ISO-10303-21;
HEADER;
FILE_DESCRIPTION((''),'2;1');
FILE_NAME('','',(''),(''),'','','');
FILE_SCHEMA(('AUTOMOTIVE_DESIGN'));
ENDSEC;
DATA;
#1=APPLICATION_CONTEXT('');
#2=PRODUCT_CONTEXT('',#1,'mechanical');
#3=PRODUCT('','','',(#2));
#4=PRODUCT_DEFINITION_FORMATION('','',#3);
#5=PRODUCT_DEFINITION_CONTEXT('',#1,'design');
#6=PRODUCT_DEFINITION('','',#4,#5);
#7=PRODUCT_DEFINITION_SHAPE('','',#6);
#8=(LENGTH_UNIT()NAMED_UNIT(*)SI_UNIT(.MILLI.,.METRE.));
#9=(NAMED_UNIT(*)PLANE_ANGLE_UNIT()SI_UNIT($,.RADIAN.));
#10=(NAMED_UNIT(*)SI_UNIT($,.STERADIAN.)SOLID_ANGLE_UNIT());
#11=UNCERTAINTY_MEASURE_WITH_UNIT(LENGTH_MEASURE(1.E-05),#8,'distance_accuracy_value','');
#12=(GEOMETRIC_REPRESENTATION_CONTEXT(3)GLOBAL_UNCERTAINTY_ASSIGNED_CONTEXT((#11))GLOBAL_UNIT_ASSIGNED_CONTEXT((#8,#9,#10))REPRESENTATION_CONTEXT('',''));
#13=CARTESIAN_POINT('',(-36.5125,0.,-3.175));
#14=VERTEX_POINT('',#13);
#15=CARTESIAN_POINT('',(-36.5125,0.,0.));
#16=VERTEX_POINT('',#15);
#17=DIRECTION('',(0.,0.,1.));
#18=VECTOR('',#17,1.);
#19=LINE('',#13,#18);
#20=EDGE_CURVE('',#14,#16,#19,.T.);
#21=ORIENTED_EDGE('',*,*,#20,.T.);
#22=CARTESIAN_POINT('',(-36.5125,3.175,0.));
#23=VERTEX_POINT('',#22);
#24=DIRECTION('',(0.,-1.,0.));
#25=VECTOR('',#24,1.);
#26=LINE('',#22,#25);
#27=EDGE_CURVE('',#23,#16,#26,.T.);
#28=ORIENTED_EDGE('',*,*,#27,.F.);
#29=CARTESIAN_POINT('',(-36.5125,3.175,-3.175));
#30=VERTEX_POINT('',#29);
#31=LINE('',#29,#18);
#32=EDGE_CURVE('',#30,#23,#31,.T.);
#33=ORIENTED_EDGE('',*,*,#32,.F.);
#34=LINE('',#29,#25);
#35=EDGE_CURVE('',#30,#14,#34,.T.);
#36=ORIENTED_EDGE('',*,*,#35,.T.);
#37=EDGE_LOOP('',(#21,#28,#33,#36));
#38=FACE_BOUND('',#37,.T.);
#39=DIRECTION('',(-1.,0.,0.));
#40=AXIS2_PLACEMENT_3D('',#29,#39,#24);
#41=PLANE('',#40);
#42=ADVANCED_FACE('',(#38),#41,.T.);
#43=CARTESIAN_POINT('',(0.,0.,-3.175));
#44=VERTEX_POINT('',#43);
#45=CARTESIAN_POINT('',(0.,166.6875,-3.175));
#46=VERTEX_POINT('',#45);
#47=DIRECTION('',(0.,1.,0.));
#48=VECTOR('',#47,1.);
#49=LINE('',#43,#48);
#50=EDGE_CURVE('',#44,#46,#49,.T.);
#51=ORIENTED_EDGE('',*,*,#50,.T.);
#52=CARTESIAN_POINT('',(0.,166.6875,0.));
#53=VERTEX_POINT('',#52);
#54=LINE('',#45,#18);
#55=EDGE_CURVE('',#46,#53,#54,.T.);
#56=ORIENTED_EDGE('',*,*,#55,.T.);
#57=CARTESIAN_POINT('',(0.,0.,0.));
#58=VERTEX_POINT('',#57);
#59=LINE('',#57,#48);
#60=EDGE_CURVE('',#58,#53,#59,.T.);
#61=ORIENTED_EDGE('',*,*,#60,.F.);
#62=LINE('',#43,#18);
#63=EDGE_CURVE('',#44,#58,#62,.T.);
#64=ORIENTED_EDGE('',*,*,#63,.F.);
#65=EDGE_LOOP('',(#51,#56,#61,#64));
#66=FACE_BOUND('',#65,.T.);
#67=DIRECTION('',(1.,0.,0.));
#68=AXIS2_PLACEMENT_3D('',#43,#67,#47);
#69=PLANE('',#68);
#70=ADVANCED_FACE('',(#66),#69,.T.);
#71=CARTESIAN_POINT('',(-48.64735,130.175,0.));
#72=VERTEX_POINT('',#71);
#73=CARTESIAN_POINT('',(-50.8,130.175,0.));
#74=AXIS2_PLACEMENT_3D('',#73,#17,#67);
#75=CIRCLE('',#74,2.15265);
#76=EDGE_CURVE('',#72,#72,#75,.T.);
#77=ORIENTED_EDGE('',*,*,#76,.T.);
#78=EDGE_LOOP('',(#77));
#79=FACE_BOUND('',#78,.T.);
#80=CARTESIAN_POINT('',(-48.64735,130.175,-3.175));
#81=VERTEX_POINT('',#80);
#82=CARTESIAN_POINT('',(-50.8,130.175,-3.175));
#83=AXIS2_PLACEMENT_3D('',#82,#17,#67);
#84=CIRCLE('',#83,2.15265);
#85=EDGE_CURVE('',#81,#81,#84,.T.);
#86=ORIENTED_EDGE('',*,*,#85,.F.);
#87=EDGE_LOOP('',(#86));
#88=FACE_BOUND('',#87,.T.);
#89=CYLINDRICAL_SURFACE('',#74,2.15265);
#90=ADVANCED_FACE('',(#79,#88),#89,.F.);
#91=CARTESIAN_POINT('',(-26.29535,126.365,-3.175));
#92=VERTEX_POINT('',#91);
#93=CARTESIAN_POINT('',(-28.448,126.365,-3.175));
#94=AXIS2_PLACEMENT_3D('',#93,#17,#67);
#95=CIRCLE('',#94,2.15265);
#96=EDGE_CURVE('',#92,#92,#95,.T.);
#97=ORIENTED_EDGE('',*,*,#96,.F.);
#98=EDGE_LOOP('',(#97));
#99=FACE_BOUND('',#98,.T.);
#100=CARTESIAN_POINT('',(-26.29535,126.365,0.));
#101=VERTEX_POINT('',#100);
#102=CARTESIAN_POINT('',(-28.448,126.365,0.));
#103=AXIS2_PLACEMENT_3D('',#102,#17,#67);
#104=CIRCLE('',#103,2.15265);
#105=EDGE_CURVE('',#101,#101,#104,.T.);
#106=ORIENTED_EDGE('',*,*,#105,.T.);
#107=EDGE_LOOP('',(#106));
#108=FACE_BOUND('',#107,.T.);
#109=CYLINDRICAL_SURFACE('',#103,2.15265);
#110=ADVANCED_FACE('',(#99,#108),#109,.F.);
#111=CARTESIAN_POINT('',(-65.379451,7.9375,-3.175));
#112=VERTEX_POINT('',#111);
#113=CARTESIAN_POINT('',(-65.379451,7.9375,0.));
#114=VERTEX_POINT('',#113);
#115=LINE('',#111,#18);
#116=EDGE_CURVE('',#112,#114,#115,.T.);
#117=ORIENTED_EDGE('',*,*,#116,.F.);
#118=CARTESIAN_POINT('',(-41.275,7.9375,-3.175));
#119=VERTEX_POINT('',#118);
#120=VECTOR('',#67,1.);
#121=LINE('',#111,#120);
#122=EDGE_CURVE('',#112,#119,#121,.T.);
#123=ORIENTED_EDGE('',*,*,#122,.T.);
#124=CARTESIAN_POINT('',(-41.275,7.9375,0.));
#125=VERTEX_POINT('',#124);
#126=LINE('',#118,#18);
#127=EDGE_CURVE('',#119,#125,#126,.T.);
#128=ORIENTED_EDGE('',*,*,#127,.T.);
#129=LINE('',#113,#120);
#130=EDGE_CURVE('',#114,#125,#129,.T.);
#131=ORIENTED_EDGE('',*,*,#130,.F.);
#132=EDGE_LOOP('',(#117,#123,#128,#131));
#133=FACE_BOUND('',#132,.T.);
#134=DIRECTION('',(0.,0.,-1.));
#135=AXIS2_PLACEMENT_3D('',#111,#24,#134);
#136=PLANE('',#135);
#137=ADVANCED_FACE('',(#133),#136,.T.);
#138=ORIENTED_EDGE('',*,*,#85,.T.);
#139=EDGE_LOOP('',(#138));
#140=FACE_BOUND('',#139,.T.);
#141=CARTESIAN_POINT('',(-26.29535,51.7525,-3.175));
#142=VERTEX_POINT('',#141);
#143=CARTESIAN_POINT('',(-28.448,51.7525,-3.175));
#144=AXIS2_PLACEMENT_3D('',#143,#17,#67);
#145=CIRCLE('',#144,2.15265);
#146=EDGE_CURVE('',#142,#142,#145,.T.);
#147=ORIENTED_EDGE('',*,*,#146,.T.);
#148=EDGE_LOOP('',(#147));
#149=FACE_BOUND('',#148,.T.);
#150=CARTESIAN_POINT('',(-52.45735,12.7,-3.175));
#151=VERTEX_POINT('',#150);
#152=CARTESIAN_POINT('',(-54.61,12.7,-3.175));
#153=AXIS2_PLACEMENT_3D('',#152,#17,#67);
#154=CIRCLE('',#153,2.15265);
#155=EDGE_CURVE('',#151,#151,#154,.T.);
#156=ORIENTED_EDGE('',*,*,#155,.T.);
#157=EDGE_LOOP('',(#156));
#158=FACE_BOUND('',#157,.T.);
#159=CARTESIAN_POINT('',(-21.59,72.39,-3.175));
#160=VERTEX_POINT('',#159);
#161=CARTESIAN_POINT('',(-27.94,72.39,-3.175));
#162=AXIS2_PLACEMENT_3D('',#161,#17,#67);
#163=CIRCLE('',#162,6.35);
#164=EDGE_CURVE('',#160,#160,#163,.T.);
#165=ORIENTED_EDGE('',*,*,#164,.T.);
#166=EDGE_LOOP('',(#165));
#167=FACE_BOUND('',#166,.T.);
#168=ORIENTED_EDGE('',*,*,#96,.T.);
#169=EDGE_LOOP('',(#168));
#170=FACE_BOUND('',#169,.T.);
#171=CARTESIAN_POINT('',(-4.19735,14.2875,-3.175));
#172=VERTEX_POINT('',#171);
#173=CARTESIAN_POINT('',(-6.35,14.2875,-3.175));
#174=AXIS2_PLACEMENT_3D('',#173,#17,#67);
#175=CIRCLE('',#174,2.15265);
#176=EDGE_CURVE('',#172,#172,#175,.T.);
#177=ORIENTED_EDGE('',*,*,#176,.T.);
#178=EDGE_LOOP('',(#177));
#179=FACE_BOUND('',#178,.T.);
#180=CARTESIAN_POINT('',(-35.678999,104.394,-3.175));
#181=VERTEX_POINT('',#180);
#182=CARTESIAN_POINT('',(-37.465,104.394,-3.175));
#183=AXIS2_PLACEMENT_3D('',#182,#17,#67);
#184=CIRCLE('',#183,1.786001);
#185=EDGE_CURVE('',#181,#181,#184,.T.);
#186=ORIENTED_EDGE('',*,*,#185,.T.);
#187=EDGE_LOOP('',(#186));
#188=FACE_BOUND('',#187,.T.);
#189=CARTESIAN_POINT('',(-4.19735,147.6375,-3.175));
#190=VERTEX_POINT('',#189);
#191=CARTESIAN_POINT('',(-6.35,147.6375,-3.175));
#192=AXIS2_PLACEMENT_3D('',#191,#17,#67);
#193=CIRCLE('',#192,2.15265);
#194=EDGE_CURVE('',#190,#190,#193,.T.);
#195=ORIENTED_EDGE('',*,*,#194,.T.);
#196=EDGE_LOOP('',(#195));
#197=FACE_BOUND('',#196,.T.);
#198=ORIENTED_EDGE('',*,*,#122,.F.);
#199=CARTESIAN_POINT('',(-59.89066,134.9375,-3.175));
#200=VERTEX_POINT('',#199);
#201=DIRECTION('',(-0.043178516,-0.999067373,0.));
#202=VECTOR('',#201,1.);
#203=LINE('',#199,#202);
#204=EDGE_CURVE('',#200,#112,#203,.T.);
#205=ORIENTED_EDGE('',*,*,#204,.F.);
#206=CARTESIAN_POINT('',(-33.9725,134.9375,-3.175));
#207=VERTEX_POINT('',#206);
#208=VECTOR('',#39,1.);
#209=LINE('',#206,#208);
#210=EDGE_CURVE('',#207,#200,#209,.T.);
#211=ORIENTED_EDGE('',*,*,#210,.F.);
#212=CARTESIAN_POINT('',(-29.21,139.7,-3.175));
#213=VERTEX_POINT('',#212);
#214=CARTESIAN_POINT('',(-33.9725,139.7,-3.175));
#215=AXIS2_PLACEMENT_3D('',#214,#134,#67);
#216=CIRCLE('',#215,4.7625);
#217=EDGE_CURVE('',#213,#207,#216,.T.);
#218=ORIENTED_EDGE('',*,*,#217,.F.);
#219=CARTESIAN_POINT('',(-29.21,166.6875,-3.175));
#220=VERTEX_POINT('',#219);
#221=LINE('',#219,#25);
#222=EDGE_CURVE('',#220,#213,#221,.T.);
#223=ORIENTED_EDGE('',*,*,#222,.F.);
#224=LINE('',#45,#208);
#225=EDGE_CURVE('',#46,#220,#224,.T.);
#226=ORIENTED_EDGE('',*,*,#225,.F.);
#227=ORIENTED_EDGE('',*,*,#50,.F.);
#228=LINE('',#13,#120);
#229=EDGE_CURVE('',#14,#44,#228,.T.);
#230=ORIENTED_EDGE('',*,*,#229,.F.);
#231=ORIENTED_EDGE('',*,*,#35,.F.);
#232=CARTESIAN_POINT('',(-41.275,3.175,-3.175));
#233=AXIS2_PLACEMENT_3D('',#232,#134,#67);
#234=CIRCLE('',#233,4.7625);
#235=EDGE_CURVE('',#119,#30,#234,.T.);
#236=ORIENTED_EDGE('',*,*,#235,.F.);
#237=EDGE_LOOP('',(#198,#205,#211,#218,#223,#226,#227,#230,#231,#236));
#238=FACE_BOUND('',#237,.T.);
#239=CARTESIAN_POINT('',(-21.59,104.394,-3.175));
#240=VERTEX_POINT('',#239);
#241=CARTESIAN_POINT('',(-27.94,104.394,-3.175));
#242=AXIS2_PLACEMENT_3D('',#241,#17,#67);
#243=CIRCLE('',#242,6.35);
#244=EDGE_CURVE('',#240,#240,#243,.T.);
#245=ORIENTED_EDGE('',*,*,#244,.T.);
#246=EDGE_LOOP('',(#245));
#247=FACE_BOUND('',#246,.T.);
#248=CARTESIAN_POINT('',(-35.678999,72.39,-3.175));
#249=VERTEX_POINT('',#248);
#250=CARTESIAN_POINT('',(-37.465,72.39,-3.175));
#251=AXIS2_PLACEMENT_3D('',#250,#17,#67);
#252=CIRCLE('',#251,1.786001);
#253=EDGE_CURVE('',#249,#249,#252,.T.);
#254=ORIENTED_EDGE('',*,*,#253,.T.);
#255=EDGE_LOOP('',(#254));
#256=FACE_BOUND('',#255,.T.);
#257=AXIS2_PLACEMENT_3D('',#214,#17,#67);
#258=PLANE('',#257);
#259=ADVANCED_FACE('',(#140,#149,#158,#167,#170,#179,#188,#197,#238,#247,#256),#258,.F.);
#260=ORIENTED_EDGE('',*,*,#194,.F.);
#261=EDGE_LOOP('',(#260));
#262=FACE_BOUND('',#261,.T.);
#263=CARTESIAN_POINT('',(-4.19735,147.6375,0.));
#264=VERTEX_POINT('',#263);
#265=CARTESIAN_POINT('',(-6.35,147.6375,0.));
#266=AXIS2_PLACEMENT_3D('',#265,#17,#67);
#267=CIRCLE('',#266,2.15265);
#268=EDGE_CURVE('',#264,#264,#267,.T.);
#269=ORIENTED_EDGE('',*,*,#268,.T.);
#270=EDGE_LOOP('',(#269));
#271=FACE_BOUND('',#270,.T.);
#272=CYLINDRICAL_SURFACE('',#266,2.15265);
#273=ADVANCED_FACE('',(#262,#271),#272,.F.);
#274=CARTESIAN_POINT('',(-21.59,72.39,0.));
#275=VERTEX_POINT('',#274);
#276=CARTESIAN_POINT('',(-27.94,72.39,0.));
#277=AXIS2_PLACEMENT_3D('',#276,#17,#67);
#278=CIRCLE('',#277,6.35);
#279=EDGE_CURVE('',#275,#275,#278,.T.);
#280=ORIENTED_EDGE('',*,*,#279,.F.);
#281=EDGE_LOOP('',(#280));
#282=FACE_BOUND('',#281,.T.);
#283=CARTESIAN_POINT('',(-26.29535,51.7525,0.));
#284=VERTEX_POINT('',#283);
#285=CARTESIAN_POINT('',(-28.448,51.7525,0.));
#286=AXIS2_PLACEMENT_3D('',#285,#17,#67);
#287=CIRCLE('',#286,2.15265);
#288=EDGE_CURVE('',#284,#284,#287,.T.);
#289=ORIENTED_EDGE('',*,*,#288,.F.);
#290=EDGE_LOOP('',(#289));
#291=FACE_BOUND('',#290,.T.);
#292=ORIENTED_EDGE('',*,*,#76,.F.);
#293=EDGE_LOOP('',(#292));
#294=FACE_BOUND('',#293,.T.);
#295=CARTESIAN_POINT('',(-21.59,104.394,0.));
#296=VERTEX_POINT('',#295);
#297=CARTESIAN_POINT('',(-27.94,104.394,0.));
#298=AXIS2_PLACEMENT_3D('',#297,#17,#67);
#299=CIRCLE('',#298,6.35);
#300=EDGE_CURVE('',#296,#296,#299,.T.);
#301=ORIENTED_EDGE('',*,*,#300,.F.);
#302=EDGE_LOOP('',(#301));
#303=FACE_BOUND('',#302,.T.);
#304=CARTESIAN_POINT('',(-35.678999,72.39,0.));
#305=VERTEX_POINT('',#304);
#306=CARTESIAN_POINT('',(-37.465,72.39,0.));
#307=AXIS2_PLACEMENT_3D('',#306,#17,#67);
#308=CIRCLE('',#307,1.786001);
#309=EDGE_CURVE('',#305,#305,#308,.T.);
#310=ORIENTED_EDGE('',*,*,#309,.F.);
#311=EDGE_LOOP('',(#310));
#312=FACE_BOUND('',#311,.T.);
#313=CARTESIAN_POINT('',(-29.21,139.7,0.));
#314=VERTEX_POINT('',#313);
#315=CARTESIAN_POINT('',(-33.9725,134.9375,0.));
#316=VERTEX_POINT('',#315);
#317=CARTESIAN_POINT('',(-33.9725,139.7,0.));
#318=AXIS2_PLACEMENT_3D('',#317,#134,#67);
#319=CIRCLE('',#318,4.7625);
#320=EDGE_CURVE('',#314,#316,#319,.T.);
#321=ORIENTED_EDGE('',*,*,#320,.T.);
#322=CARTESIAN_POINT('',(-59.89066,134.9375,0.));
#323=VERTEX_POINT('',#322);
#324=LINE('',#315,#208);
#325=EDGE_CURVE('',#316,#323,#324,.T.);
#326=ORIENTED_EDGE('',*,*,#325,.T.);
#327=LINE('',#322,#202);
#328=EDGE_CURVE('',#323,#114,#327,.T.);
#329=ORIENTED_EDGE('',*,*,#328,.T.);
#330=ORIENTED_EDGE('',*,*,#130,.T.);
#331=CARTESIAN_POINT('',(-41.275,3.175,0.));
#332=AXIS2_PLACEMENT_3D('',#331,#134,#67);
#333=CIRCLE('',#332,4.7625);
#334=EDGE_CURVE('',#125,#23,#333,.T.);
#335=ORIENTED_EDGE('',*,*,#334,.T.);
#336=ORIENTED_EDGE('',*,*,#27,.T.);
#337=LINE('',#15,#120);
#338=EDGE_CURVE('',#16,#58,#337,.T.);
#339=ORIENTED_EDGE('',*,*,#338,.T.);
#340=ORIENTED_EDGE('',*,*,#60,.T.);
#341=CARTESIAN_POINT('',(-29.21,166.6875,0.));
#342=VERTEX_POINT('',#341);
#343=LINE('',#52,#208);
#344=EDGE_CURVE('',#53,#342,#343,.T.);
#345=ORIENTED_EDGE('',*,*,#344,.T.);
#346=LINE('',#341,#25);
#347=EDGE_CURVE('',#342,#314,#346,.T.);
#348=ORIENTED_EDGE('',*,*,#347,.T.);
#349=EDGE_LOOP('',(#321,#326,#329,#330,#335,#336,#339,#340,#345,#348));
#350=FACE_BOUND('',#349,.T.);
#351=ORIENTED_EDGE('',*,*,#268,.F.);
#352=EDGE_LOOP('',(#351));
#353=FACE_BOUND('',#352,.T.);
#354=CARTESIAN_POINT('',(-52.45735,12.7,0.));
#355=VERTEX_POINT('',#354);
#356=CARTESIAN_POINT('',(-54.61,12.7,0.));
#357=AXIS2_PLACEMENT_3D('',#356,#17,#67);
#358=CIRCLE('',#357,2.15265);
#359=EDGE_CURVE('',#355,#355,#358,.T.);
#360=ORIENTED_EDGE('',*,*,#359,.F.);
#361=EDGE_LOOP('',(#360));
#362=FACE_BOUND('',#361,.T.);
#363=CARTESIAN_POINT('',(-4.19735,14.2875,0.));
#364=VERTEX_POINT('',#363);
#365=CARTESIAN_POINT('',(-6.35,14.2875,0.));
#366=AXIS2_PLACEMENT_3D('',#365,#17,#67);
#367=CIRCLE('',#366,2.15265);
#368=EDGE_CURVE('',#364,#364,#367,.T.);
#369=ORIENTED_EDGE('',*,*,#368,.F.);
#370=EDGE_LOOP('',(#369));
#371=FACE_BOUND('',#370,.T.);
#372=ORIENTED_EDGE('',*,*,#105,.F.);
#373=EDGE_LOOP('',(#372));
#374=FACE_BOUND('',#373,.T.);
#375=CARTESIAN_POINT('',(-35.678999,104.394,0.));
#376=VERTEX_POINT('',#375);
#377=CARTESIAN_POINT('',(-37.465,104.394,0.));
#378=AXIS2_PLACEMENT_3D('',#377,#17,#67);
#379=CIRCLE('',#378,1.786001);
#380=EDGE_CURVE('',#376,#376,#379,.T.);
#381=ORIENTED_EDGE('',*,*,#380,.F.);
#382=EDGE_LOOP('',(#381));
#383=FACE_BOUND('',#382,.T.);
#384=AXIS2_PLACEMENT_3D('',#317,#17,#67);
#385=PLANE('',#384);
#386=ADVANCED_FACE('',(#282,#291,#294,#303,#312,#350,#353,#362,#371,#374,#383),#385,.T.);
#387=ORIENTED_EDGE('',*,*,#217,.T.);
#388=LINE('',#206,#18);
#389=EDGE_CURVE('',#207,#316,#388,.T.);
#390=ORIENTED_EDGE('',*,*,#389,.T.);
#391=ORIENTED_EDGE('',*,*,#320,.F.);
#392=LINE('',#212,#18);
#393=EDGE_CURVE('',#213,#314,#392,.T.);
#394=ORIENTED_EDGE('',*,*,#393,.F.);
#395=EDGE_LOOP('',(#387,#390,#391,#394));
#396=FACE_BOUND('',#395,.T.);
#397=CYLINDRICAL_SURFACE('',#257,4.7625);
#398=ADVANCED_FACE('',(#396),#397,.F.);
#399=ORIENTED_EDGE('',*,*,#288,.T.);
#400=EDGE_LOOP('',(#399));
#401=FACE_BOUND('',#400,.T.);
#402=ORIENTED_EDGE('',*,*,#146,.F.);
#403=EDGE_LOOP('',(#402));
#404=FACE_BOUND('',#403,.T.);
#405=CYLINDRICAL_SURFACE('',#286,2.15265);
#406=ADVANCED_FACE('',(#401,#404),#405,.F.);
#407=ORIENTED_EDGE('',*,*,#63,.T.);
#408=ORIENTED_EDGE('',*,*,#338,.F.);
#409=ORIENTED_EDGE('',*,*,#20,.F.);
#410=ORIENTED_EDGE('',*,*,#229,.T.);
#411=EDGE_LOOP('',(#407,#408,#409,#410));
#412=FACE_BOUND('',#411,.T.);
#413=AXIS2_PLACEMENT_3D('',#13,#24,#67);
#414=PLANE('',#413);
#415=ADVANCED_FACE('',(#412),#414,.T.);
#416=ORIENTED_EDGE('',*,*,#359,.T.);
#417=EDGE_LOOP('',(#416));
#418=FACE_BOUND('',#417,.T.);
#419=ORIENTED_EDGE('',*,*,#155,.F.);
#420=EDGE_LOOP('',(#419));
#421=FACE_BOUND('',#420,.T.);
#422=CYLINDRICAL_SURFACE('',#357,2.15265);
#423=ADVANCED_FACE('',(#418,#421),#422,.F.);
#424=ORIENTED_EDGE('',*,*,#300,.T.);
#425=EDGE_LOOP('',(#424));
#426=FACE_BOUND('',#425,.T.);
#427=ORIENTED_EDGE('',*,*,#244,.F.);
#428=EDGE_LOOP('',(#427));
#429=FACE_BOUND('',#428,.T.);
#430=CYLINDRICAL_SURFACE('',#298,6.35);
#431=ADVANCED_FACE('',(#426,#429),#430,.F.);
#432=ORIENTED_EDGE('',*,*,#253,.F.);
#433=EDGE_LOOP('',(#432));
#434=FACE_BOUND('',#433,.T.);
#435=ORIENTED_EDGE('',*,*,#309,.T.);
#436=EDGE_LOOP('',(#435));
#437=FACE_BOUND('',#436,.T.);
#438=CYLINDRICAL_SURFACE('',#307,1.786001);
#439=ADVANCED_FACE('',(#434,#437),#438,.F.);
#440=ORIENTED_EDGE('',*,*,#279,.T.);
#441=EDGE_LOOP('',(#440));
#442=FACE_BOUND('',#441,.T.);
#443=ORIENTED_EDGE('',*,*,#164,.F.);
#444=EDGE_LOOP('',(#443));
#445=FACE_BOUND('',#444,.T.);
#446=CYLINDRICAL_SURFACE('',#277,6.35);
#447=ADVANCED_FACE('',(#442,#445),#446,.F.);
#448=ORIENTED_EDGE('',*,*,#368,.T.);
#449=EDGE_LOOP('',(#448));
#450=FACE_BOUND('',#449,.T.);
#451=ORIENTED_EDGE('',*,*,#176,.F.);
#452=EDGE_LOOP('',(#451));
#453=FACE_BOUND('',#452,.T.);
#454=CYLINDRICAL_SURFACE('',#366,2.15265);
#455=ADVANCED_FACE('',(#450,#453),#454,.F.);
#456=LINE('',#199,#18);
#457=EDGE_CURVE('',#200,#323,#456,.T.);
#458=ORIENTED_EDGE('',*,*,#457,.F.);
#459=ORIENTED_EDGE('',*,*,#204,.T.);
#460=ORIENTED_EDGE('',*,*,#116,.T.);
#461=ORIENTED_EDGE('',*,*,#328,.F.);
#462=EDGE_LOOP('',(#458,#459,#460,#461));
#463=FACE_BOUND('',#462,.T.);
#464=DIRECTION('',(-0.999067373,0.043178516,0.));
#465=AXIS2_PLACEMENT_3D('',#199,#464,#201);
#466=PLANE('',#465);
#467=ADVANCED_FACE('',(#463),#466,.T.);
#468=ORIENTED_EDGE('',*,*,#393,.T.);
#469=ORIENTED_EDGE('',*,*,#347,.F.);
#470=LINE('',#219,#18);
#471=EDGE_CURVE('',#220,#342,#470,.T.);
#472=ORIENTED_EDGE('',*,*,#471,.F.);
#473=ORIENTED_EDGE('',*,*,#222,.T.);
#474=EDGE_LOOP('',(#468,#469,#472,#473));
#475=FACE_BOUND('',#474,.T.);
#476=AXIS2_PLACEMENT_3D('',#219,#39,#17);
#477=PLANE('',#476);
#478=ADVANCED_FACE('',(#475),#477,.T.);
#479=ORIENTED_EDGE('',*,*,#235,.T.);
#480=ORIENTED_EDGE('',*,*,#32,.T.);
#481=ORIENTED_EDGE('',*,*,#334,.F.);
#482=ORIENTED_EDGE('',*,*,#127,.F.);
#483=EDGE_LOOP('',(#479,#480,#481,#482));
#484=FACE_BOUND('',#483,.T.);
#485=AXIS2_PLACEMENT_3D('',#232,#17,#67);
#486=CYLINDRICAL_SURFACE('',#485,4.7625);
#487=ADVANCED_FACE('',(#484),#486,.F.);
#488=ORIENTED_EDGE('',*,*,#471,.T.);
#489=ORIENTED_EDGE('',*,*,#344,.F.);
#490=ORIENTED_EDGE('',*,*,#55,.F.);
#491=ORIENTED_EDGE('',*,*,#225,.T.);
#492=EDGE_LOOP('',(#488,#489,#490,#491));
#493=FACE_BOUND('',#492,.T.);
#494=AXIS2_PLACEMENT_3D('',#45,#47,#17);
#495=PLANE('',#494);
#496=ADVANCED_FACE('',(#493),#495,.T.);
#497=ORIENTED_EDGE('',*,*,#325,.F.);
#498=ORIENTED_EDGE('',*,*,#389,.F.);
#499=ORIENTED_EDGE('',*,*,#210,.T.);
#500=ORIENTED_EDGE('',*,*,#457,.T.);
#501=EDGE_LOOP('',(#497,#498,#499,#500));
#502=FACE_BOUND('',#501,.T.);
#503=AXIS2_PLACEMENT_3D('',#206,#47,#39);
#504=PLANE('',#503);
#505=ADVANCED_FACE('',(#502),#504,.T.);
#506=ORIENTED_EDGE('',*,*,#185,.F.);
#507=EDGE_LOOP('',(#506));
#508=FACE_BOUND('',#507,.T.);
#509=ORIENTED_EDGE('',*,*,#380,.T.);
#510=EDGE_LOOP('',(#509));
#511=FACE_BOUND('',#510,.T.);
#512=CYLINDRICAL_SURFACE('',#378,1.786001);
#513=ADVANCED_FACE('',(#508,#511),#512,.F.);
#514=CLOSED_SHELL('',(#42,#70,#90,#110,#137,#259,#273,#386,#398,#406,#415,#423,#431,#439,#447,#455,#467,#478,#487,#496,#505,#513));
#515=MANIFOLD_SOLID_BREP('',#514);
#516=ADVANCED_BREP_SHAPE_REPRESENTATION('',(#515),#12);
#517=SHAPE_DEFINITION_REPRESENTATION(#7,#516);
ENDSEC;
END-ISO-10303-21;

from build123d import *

# Parameters (mm, degrees)
BOSS_EXTRUDE1_DEPTH             = 3.175
F_9_64_0_14063_DIAMETER_HOLE1_D = 3.572002
F_1_2_0_5_DIAMETER_HOLE1_D      = 12.7
F_6_CLEARANCE_HOLE1_D           = 4.3053
F_6_CLEARANCE_HOLE2_D           = 4.3053
SKETCH13_W                      = 23.574867554
SKETCH13_H                      = 15.925568069
BOSS_EXTRUDE2_DEPTH             = 3.175


with BuildPart() as part:
    # Sketch1 → Boss-Extrude1 (new body)
    with BuildSketch(Plane.XY):
        with BuildLine():
            Line((-36.5125, 0), (0, 0))
            Line((0, 0), (0, 166.6875))
            Line((0, 166.6875), (-29.21, 166.6875))
            Line((-29.21, 166.6875), (-29.21, 139.7))
            ThreePointArc((-29.21, 139.7), (-30.604903955, 136.332403955), (-33.9725, 134.9375))
            Line((-33.9725, 134.9375), (-59.89066, 134.9375))
            Line((-59.89066, 134.9375), (-65.379450588, 7.9375))
            Line((-65.379450588, 7.9375), (-41.275, 7.9375))
            ThreePointArc((-41.275, 7.9375), (-37.907403955, 6.542596045), (-36.5125, 3.175))
            Line((-36.5125, 3.175), (-36.5125, 0))
        make_face()
    extrude(amount=-BOSS_EXTRUDE1_DEPTH)

    # 9/64 (0.14063) Diameter Hole1 (through all)
    with Locations(Plane.XY):
        with Locations((-18.415, 26.3525), (-37.465, 72.39), (-37.465, 104.394)):
            Hole(F_9_64_0_14063_DIAMETER_HOLE1_D / 2)

    # 1/2 (0.5) Diameter Hole1 (through all)
    with Locations(Plane.XY):
        with Locations((-27.94, 26.3525), (-27.94, 72.39), (-27.94, 104.394)):
            Hole(F_1_2_0_5_DIAMETER_HOLE1_D / 2)

    # #6 Clearance Hole1 (through all)
    with Locations(Plane.XY):
        with Locations((-28.448, 51.7525), (-28.448, 126.365)):
            Hole(F_6_CLEARANCE_HOLE1_D / 2)

    # #6 Clearance Hole2 (through all)
    with Locations(Plane.XY):
        with Locations((-50.8, 130.175), (-6.35, 147.6375), (-6.35, 14.2875), (-54.61, 12.7)):
            Hole(F_6_CLEARANCE_HOLE2_D / 2)

    # Sketch13 → Boss-Extrude2 (add, through all)
    with BuildSketch(Plane.XY):
        with Locations((-24.941412977, 26.424397309)):
            Rectangle(SKETCH13_W, SKETCH13_H)
    extrude(amount=-BOSS_EXTRUDE2_DEPTH)


solid = part.part
